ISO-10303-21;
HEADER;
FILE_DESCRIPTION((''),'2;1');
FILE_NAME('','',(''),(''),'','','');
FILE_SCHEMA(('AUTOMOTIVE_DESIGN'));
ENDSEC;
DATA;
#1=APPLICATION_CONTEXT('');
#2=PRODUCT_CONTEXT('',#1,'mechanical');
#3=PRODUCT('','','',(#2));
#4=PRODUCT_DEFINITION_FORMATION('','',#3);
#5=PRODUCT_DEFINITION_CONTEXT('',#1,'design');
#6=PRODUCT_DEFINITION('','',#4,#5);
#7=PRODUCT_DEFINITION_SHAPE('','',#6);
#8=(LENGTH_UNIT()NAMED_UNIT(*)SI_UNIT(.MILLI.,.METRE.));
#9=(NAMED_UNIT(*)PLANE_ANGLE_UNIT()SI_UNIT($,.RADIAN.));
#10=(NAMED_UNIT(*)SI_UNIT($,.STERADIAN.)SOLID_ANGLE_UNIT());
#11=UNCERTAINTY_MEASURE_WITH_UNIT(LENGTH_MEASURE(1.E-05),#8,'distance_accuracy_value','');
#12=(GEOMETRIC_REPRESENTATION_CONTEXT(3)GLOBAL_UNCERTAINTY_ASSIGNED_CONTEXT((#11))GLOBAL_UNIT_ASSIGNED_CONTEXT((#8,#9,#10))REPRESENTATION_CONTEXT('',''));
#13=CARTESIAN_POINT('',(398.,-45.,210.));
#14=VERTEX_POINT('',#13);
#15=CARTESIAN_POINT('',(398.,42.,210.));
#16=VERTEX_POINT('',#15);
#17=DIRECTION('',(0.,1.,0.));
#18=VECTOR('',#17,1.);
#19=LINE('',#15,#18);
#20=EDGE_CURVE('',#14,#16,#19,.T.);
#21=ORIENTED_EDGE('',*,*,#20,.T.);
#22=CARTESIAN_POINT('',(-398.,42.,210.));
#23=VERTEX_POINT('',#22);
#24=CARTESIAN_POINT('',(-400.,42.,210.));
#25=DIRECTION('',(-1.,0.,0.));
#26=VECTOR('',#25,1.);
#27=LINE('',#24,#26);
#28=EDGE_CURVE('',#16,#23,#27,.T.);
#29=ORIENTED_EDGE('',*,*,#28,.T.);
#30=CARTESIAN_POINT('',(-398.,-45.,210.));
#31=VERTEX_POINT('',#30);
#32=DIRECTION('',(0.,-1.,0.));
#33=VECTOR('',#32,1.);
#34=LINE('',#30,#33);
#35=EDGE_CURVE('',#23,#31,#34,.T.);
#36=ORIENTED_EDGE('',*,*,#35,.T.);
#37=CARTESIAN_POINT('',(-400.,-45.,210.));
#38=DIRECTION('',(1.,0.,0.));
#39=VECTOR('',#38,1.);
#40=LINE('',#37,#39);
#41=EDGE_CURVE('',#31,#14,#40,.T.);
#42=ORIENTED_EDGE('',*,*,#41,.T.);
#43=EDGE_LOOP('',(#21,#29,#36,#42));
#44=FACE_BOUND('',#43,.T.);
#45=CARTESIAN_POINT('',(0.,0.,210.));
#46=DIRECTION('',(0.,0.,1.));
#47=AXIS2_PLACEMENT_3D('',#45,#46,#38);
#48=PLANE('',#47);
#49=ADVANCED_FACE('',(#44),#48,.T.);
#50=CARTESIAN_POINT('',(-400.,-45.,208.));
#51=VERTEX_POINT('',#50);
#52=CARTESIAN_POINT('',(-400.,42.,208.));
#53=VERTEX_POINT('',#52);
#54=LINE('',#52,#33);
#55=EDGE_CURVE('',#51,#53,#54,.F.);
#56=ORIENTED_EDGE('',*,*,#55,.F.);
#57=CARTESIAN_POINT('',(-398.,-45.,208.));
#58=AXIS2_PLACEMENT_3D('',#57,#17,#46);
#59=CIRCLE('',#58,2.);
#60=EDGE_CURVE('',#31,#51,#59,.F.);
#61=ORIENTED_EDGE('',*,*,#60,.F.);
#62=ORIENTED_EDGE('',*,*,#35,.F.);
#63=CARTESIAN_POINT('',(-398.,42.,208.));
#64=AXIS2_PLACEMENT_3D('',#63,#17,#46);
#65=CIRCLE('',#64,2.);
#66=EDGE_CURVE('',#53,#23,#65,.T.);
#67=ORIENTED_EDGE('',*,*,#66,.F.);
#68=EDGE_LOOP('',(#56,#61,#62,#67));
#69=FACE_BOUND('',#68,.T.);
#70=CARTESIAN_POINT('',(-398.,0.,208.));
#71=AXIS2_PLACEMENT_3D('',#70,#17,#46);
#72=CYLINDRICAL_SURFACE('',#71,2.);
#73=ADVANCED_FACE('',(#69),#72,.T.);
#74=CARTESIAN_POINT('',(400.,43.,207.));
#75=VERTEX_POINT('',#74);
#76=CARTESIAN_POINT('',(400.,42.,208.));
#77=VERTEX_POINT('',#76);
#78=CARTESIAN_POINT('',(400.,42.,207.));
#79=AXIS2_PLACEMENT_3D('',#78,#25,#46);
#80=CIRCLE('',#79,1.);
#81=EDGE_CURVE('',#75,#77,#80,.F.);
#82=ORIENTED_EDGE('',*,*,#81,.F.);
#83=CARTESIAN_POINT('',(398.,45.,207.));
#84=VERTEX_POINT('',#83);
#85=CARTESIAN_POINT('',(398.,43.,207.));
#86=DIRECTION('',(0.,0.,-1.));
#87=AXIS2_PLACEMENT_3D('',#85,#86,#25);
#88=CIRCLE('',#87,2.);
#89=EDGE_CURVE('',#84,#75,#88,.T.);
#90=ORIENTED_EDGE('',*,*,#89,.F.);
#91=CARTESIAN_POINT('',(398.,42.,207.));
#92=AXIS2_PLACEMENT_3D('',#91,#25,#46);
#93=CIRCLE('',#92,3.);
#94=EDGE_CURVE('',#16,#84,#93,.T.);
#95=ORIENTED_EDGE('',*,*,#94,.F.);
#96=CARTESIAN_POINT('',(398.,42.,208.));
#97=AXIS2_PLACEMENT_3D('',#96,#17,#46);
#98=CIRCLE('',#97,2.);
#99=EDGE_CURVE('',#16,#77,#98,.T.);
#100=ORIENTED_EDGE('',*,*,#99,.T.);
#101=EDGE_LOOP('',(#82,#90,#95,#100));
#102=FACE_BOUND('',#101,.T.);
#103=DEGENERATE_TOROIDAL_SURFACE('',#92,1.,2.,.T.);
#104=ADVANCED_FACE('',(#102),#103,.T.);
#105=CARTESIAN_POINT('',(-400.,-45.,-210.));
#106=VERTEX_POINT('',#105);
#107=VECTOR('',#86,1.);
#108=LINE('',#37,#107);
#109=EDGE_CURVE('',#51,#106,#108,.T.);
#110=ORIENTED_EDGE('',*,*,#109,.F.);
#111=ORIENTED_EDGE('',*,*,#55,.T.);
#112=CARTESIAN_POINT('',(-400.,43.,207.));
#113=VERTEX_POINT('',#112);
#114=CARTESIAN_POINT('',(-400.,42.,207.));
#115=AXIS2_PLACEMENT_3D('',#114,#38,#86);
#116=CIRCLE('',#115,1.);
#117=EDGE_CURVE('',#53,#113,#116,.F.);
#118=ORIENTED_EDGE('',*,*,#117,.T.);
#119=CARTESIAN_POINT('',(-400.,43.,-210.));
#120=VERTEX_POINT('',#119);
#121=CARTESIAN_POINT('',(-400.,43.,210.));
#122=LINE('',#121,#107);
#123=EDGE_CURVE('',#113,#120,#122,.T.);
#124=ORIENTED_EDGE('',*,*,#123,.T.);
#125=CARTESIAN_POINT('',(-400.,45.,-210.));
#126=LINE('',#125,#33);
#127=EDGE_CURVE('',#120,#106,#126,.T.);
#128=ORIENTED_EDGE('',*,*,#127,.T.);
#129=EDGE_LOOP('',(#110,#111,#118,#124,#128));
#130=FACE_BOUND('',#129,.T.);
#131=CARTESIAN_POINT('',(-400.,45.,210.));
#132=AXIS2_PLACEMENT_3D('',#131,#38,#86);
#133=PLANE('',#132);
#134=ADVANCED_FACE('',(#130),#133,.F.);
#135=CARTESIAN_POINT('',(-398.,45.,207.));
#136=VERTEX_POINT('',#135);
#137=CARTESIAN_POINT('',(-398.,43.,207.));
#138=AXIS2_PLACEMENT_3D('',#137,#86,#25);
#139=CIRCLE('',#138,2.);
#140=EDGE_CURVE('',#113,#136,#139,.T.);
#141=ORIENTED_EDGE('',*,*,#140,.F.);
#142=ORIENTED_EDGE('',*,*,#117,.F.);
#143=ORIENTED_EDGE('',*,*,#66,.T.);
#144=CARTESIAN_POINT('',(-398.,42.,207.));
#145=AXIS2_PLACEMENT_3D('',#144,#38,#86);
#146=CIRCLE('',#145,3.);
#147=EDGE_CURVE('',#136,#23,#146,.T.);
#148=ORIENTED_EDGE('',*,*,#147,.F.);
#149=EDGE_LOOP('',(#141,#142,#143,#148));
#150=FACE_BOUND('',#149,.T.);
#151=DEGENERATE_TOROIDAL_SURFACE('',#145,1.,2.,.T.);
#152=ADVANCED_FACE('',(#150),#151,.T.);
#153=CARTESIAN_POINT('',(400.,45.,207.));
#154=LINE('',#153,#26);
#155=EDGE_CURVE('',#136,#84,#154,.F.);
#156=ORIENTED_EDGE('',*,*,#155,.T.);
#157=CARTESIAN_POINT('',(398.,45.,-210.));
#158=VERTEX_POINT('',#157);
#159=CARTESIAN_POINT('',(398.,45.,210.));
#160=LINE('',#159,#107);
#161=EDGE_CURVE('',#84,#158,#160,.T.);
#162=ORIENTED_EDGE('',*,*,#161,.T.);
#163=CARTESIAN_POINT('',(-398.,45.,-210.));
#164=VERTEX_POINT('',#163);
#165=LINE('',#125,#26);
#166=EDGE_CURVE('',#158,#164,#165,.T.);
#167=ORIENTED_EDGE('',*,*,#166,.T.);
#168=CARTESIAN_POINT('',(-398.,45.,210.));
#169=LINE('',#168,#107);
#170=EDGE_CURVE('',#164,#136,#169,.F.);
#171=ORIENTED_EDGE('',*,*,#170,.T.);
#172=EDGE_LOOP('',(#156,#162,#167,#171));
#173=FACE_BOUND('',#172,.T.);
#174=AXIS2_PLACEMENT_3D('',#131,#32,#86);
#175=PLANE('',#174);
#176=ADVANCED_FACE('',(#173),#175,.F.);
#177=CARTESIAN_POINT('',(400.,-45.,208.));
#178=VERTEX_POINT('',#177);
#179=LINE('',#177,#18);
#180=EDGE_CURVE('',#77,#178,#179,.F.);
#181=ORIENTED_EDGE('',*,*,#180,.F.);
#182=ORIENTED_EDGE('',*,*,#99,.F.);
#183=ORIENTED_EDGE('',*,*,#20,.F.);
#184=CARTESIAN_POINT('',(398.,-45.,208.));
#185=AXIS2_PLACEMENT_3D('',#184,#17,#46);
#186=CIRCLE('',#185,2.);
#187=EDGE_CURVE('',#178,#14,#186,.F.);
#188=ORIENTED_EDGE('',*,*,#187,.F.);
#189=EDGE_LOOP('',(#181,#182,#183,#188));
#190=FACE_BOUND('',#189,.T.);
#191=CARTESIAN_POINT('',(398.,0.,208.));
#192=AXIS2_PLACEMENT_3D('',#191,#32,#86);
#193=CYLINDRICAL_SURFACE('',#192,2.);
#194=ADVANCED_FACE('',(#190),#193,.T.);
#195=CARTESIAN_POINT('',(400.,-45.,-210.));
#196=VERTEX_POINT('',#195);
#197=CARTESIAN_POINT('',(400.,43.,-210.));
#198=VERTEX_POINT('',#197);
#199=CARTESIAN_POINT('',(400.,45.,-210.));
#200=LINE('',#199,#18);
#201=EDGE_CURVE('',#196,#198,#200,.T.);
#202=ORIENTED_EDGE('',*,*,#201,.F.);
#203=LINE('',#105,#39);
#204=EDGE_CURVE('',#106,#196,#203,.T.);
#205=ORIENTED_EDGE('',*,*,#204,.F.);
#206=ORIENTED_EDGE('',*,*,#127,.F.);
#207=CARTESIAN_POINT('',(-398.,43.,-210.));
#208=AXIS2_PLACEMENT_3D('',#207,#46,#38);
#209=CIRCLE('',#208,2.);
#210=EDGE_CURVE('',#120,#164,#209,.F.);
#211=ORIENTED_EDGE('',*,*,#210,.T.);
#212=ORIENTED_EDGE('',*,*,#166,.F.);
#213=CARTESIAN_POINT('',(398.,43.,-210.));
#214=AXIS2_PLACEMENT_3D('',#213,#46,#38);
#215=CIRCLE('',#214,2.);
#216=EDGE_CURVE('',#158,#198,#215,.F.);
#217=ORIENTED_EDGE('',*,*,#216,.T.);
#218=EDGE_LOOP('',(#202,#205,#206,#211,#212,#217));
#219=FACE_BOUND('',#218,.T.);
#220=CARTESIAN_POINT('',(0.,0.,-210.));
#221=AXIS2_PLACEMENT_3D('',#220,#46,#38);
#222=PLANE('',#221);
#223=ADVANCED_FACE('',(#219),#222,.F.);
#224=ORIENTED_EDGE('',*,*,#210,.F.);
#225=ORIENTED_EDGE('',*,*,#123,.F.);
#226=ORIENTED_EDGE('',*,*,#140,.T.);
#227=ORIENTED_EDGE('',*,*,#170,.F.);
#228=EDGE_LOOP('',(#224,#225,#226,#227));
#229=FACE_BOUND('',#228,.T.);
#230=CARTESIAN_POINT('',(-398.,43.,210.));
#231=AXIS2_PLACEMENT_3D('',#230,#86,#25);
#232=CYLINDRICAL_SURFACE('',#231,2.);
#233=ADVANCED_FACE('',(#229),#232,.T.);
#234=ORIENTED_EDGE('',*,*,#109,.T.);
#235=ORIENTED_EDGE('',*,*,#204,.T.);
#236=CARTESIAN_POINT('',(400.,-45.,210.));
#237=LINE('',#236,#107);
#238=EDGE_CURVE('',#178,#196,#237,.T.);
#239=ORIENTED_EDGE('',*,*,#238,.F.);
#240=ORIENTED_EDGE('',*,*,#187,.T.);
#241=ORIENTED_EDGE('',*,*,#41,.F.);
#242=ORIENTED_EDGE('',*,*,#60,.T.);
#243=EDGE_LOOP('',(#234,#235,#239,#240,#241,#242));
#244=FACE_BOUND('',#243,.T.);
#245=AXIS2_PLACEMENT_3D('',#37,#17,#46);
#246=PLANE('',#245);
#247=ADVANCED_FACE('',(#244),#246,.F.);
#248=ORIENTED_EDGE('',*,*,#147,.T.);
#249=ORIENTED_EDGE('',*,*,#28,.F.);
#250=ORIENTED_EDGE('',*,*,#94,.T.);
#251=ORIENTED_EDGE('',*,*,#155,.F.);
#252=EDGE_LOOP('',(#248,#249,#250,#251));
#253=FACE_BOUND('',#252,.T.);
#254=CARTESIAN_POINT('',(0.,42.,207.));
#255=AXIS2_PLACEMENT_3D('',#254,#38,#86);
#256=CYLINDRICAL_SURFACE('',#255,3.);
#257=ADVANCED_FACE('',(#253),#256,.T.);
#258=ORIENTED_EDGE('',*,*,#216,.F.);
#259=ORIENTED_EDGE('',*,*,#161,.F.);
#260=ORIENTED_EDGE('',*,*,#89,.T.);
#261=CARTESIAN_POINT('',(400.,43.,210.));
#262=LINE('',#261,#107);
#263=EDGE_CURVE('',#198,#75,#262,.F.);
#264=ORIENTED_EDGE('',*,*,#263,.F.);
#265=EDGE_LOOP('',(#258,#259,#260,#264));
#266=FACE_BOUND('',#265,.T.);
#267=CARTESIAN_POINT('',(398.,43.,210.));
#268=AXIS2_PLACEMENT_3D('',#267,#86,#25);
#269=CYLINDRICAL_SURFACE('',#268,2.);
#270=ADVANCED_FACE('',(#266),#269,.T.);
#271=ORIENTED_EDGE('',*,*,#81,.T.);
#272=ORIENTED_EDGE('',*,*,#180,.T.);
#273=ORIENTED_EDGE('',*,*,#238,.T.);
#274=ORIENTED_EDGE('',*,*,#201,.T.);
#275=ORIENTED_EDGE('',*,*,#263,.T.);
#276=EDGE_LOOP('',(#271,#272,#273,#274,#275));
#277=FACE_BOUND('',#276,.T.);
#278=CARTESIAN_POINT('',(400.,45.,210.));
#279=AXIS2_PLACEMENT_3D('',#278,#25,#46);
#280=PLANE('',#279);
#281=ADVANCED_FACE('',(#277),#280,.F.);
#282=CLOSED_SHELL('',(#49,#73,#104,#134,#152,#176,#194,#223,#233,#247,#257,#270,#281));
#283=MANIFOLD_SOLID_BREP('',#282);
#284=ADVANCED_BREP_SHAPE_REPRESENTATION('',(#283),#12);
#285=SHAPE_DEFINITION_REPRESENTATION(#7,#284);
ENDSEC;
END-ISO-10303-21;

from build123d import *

# Parameters (mm, degrees)
SKETCH2_W           = 800
SKETCH2_H           = 90
BOSS_EXTRUDE1_DEPTH = 210
FILLET1_R           = 3
FILLET2_R           = 2


with BuildPart() as part:
    # Sketch2 → Boss-Extrude1 (new body, symmetric)
    with BuildSketch(Plane.XY):
        Rectangle(SKETCH2_W, SKETCH2_H)
    extrude(amount=BOSS_EXTRUDE1_DEPTH, both=True)

    # Fillet1
    fillet1_edges = [part.edges().sort_by_distance(p)[0] for p in [
        (0, 45, 210),
    ]]
    fillet(fillet1_edges, radius=FILLET1_R)

    # Fillet2
    fillet2_edges = [part.edges().sort_by_distance(p)[0] for p in [
        (-400, -1.5, 210),
        (-400, 45, -1.5),
        (-400, 44.121320344, 209.121320344),
        (400, 45, -1.5),
        (400, 44.121320344, 209.121320344),
        (400, -1.5, 210),
    ]]
    fillet(fillet2_edges, radius=FILLET2_R)


solid = part.part
